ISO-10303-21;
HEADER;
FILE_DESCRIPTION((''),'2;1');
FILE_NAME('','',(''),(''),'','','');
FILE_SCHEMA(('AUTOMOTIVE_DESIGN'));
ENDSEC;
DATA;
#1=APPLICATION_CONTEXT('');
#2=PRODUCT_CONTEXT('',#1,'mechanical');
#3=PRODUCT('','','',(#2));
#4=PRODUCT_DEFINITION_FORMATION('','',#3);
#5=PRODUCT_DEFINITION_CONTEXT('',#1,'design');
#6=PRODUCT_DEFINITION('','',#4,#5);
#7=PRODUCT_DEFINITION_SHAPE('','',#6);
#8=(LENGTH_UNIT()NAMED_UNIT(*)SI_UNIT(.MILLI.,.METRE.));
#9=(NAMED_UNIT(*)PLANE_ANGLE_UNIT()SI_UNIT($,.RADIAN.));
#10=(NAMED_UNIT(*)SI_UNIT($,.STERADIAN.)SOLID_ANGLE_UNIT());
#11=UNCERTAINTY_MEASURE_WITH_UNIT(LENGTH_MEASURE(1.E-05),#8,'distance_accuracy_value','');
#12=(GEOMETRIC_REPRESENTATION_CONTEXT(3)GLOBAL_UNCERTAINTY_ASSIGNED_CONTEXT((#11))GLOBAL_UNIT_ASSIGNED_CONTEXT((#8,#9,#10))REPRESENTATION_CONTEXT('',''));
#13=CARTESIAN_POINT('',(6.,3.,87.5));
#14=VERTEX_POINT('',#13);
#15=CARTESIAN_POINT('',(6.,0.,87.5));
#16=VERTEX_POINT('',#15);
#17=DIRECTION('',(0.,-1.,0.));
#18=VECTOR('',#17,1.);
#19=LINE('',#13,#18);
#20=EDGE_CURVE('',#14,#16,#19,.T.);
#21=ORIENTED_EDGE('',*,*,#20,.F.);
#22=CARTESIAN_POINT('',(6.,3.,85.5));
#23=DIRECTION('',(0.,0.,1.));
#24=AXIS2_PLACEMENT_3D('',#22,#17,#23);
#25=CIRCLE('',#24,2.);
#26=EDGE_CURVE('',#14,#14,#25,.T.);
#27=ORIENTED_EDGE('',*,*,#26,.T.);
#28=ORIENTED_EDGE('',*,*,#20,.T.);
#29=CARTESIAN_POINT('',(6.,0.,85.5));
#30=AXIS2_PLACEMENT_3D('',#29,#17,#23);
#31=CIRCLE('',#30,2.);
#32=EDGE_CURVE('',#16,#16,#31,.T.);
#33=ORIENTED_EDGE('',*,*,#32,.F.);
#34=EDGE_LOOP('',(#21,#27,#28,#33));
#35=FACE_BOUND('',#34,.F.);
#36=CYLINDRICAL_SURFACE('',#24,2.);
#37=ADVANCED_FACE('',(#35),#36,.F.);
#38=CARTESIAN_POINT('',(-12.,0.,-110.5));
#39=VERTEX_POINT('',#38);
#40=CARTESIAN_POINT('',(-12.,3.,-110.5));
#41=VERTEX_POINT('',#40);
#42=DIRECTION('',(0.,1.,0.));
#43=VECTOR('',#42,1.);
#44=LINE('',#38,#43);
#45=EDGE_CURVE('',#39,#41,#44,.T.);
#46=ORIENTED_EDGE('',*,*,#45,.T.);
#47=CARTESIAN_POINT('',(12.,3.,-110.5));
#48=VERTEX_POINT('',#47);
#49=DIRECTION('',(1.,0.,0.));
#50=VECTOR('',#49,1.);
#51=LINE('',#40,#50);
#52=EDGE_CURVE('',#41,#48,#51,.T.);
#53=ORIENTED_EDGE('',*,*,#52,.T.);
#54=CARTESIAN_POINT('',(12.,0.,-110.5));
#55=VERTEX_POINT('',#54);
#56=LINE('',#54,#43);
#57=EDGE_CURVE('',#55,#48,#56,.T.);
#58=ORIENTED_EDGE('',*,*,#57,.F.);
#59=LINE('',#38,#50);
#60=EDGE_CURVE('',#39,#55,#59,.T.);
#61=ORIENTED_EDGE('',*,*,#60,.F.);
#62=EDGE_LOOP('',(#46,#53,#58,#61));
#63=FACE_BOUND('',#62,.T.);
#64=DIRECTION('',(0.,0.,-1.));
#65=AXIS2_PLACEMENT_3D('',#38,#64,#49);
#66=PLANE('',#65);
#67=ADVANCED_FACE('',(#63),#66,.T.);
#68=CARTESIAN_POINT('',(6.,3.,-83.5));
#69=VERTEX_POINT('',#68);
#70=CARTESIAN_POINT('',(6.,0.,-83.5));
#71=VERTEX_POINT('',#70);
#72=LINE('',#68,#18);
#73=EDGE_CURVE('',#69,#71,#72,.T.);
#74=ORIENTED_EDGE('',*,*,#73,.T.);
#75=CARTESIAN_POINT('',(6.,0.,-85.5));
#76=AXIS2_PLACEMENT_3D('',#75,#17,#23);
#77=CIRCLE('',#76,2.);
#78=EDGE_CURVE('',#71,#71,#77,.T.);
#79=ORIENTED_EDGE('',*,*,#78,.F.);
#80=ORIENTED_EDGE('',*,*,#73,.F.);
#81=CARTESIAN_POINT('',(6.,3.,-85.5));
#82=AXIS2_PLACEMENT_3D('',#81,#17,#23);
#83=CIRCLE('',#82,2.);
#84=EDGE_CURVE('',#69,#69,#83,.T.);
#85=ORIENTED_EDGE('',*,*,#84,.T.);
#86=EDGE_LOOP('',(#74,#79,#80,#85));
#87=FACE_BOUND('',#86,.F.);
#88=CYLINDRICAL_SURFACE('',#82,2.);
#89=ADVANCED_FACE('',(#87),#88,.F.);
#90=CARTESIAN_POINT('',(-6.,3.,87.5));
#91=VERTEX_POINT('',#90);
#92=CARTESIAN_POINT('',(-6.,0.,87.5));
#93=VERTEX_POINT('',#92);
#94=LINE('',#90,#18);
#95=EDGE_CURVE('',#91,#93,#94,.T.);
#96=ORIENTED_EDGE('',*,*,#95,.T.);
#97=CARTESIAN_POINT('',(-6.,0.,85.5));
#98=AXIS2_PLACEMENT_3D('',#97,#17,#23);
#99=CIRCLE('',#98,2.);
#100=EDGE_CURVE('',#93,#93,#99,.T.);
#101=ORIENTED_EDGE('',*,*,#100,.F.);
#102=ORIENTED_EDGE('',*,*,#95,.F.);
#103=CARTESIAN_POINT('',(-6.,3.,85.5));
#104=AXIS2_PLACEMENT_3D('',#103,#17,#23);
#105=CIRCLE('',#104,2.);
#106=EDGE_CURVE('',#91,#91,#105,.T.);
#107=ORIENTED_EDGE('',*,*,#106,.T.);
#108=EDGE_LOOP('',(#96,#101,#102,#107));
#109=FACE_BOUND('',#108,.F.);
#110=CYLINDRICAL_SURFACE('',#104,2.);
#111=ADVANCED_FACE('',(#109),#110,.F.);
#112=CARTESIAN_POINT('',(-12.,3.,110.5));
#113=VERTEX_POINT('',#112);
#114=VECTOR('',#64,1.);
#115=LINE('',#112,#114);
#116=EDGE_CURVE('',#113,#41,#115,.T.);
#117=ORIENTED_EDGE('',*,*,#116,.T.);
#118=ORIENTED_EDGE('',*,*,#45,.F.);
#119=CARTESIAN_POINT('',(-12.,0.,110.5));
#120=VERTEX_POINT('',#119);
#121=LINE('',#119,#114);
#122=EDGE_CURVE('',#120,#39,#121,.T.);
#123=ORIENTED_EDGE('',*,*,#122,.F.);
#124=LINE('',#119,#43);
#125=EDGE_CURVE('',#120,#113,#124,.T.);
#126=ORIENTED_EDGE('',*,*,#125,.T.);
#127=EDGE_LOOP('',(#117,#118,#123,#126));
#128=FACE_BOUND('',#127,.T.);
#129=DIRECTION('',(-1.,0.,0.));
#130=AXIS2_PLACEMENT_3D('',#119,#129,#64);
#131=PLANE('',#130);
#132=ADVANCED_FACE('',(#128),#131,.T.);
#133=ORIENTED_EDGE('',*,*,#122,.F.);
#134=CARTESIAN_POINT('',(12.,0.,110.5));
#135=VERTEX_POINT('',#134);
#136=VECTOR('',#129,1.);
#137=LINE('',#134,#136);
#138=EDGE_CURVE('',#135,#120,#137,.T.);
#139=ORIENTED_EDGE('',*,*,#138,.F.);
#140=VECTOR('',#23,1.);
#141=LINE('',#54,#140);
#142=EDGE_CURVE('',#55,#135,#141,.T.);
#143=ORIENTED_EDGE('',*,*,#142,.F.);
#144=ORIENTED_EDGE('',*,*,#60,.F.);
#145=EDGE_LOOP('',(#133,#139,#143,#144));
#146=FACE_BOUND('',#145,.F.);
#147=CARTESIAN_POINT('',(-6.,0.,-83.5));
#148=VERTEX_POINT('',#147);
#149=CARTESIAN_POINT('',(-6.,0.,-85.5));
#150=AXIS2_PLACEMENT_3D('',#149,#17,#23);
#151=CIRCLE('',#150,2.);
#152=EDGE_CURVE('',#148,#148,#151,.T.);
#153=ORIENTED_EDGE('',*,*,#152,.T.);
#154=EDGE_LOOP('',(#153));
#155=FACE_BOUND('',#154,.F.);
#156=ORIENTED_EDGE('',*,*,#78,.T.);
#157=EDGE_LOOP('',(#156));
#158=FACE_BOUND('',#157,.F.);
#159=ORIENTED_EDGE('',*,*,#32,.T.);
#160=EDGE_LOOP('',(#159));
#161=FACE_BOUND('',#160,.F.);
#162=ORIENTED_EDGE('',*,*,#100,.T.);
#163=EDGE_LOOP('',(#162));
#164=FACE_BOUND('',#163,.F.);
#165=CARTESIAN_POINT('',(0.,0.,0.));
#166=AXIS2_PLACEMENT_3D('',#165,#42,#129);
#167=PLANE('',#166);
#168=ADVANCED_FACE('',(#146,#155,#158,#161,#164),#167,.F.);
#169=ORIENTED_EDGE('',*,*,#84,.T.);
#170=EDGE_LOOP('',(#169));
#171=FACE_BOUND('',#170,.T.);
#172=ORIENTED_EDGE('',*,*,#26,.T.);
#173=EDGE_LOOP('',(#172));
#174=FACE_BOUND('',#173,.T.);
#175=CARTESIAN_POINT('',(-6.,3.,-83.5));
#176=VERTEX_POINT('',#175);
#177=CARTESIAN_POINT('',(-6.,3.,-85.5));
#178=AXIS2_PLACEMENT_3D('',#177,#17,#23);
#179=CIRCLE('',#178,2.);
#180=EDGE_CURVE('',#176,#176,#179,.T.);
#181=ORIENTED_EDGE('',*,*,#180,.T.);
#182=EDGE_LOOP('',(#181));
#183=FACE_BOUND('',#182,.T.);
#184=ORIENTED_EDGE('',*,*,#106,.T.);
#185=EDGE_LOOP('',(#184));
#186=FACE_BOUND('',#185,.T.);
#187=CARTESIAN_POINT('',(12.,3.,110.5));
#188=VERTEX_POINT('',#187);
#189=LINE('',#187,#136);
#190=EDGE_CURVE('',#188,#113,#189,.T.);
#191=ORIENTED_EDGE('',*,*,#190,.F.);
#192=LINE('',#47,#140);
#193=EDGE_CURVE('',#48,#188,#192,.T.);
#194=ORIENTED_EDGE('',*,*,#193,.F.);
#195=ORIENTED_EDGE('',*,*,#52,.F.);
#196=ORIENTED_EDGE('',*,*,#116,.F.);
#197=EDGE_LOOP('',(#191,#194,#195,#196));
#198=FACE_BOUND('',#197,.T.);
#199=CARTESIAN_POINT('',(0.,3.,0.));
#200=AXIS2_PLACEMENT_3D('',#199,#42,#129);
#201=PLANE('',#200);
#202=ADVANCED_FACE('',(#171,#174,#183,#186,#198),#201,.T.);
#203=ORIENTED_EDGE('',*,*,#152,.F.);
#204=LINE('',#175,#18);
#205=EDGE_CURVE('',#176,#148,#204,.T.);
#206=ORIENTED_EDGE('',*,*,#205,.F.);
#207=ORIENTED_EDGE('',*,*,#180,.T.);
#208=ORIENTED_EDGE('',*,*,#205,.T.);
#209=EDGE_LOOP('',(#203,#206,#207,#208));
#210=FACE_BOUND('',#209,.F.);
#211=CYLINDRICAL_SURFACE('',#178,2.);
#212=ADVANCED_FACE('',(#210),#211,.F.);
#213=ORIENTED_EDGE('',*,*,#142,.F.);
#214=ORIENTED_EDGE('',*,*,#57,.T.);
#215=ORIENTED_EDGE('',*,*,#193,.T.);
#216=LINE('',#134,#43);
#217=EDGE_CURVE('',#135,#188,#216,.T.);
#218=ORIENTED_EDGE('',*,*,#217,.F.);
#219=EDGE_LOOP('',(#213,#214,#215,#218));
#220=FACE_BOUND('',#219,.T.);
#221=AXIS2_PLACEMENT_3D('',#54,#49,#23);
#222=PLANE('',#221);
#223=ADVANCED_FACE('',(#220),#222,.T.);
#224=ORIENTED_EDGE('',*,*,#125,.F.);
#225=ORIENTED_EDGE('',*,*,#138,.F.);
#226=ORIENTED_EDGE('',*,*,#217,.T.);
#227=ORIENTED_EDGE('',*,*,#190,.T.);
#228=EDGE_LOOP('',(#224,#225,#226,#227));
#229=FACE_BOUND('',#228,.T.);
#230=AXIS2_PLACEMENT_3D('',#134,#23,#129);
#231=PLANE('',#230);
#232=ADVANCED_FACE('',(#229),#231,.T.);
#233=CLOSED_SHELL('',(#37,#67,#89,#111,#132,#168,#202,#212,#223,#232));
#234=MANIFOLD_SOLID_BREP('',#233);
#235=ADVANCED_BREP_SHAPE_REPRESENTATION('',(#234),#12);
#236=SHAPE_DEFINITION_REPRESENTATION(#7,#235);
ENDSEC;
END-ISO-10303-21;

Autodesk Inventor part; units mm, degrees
ref_plane "YZ Plane" through (0, 0, 0) normal (1, 0, 0) x (0, 1, 0)
ref_plane "XZ Plane" through (0, 0, 0) normal (0, 1, 0) x (-1, 0, 0)
ref_plane "XY Plane" through (0, 0, 0) normal (0, 0, 1) x (1, 0, 0)
sketch "Sketch1" plane through (0, 0, 0) normal (0, 1, 0) x (-1, 0, 0)
  line L0 (-12, 110.5) -> (12, 110.5)
  line L1 (12, 110.5) -> (12, -110.5)
  line L2 (12, -110.5) -> (-12, -110.5)
  line L3 (-12, -110.5) -> (-12, 110.5)
  line L4 (-12, 110.5) -> (12, -110.5) construction
  line L5 (12, 110.5) -> (-12, -110.5) construction
  point P0 (0, 0)
  dimension "d0" = 24
  dimension "d1" = 221
extrude "Extrusion1" add sketch "Sketch1" along normal blind 3
sketch "Sketch2" plane through (0, 3, 0) normal (0, 1, 0) x (1, 0, 0)
  line L0 (12, -110.5) -> (12, 110.5) projected
  line L1 (-12, -110.5) -> (12, -110.5) projected
  point P0 (0, 0)
  point P1 (-6, -85.5)
  point P2 (6, -85.5)
  point P3 (-6, 85.5)
  point P4 (6, 85.5)
  dimension "d4" = 12
  dimension "d5" = 6
  dimension "d6" = 171
  dimension "d7" = 25
hole "Hole1" at (-6, 3, 85.5) at (6, 3, 85.5) at (-6, 3, -85.5) at (6, 3, -85.5) direction (0, -1, 0) diameter 4 depth 3
properties part number "213"
